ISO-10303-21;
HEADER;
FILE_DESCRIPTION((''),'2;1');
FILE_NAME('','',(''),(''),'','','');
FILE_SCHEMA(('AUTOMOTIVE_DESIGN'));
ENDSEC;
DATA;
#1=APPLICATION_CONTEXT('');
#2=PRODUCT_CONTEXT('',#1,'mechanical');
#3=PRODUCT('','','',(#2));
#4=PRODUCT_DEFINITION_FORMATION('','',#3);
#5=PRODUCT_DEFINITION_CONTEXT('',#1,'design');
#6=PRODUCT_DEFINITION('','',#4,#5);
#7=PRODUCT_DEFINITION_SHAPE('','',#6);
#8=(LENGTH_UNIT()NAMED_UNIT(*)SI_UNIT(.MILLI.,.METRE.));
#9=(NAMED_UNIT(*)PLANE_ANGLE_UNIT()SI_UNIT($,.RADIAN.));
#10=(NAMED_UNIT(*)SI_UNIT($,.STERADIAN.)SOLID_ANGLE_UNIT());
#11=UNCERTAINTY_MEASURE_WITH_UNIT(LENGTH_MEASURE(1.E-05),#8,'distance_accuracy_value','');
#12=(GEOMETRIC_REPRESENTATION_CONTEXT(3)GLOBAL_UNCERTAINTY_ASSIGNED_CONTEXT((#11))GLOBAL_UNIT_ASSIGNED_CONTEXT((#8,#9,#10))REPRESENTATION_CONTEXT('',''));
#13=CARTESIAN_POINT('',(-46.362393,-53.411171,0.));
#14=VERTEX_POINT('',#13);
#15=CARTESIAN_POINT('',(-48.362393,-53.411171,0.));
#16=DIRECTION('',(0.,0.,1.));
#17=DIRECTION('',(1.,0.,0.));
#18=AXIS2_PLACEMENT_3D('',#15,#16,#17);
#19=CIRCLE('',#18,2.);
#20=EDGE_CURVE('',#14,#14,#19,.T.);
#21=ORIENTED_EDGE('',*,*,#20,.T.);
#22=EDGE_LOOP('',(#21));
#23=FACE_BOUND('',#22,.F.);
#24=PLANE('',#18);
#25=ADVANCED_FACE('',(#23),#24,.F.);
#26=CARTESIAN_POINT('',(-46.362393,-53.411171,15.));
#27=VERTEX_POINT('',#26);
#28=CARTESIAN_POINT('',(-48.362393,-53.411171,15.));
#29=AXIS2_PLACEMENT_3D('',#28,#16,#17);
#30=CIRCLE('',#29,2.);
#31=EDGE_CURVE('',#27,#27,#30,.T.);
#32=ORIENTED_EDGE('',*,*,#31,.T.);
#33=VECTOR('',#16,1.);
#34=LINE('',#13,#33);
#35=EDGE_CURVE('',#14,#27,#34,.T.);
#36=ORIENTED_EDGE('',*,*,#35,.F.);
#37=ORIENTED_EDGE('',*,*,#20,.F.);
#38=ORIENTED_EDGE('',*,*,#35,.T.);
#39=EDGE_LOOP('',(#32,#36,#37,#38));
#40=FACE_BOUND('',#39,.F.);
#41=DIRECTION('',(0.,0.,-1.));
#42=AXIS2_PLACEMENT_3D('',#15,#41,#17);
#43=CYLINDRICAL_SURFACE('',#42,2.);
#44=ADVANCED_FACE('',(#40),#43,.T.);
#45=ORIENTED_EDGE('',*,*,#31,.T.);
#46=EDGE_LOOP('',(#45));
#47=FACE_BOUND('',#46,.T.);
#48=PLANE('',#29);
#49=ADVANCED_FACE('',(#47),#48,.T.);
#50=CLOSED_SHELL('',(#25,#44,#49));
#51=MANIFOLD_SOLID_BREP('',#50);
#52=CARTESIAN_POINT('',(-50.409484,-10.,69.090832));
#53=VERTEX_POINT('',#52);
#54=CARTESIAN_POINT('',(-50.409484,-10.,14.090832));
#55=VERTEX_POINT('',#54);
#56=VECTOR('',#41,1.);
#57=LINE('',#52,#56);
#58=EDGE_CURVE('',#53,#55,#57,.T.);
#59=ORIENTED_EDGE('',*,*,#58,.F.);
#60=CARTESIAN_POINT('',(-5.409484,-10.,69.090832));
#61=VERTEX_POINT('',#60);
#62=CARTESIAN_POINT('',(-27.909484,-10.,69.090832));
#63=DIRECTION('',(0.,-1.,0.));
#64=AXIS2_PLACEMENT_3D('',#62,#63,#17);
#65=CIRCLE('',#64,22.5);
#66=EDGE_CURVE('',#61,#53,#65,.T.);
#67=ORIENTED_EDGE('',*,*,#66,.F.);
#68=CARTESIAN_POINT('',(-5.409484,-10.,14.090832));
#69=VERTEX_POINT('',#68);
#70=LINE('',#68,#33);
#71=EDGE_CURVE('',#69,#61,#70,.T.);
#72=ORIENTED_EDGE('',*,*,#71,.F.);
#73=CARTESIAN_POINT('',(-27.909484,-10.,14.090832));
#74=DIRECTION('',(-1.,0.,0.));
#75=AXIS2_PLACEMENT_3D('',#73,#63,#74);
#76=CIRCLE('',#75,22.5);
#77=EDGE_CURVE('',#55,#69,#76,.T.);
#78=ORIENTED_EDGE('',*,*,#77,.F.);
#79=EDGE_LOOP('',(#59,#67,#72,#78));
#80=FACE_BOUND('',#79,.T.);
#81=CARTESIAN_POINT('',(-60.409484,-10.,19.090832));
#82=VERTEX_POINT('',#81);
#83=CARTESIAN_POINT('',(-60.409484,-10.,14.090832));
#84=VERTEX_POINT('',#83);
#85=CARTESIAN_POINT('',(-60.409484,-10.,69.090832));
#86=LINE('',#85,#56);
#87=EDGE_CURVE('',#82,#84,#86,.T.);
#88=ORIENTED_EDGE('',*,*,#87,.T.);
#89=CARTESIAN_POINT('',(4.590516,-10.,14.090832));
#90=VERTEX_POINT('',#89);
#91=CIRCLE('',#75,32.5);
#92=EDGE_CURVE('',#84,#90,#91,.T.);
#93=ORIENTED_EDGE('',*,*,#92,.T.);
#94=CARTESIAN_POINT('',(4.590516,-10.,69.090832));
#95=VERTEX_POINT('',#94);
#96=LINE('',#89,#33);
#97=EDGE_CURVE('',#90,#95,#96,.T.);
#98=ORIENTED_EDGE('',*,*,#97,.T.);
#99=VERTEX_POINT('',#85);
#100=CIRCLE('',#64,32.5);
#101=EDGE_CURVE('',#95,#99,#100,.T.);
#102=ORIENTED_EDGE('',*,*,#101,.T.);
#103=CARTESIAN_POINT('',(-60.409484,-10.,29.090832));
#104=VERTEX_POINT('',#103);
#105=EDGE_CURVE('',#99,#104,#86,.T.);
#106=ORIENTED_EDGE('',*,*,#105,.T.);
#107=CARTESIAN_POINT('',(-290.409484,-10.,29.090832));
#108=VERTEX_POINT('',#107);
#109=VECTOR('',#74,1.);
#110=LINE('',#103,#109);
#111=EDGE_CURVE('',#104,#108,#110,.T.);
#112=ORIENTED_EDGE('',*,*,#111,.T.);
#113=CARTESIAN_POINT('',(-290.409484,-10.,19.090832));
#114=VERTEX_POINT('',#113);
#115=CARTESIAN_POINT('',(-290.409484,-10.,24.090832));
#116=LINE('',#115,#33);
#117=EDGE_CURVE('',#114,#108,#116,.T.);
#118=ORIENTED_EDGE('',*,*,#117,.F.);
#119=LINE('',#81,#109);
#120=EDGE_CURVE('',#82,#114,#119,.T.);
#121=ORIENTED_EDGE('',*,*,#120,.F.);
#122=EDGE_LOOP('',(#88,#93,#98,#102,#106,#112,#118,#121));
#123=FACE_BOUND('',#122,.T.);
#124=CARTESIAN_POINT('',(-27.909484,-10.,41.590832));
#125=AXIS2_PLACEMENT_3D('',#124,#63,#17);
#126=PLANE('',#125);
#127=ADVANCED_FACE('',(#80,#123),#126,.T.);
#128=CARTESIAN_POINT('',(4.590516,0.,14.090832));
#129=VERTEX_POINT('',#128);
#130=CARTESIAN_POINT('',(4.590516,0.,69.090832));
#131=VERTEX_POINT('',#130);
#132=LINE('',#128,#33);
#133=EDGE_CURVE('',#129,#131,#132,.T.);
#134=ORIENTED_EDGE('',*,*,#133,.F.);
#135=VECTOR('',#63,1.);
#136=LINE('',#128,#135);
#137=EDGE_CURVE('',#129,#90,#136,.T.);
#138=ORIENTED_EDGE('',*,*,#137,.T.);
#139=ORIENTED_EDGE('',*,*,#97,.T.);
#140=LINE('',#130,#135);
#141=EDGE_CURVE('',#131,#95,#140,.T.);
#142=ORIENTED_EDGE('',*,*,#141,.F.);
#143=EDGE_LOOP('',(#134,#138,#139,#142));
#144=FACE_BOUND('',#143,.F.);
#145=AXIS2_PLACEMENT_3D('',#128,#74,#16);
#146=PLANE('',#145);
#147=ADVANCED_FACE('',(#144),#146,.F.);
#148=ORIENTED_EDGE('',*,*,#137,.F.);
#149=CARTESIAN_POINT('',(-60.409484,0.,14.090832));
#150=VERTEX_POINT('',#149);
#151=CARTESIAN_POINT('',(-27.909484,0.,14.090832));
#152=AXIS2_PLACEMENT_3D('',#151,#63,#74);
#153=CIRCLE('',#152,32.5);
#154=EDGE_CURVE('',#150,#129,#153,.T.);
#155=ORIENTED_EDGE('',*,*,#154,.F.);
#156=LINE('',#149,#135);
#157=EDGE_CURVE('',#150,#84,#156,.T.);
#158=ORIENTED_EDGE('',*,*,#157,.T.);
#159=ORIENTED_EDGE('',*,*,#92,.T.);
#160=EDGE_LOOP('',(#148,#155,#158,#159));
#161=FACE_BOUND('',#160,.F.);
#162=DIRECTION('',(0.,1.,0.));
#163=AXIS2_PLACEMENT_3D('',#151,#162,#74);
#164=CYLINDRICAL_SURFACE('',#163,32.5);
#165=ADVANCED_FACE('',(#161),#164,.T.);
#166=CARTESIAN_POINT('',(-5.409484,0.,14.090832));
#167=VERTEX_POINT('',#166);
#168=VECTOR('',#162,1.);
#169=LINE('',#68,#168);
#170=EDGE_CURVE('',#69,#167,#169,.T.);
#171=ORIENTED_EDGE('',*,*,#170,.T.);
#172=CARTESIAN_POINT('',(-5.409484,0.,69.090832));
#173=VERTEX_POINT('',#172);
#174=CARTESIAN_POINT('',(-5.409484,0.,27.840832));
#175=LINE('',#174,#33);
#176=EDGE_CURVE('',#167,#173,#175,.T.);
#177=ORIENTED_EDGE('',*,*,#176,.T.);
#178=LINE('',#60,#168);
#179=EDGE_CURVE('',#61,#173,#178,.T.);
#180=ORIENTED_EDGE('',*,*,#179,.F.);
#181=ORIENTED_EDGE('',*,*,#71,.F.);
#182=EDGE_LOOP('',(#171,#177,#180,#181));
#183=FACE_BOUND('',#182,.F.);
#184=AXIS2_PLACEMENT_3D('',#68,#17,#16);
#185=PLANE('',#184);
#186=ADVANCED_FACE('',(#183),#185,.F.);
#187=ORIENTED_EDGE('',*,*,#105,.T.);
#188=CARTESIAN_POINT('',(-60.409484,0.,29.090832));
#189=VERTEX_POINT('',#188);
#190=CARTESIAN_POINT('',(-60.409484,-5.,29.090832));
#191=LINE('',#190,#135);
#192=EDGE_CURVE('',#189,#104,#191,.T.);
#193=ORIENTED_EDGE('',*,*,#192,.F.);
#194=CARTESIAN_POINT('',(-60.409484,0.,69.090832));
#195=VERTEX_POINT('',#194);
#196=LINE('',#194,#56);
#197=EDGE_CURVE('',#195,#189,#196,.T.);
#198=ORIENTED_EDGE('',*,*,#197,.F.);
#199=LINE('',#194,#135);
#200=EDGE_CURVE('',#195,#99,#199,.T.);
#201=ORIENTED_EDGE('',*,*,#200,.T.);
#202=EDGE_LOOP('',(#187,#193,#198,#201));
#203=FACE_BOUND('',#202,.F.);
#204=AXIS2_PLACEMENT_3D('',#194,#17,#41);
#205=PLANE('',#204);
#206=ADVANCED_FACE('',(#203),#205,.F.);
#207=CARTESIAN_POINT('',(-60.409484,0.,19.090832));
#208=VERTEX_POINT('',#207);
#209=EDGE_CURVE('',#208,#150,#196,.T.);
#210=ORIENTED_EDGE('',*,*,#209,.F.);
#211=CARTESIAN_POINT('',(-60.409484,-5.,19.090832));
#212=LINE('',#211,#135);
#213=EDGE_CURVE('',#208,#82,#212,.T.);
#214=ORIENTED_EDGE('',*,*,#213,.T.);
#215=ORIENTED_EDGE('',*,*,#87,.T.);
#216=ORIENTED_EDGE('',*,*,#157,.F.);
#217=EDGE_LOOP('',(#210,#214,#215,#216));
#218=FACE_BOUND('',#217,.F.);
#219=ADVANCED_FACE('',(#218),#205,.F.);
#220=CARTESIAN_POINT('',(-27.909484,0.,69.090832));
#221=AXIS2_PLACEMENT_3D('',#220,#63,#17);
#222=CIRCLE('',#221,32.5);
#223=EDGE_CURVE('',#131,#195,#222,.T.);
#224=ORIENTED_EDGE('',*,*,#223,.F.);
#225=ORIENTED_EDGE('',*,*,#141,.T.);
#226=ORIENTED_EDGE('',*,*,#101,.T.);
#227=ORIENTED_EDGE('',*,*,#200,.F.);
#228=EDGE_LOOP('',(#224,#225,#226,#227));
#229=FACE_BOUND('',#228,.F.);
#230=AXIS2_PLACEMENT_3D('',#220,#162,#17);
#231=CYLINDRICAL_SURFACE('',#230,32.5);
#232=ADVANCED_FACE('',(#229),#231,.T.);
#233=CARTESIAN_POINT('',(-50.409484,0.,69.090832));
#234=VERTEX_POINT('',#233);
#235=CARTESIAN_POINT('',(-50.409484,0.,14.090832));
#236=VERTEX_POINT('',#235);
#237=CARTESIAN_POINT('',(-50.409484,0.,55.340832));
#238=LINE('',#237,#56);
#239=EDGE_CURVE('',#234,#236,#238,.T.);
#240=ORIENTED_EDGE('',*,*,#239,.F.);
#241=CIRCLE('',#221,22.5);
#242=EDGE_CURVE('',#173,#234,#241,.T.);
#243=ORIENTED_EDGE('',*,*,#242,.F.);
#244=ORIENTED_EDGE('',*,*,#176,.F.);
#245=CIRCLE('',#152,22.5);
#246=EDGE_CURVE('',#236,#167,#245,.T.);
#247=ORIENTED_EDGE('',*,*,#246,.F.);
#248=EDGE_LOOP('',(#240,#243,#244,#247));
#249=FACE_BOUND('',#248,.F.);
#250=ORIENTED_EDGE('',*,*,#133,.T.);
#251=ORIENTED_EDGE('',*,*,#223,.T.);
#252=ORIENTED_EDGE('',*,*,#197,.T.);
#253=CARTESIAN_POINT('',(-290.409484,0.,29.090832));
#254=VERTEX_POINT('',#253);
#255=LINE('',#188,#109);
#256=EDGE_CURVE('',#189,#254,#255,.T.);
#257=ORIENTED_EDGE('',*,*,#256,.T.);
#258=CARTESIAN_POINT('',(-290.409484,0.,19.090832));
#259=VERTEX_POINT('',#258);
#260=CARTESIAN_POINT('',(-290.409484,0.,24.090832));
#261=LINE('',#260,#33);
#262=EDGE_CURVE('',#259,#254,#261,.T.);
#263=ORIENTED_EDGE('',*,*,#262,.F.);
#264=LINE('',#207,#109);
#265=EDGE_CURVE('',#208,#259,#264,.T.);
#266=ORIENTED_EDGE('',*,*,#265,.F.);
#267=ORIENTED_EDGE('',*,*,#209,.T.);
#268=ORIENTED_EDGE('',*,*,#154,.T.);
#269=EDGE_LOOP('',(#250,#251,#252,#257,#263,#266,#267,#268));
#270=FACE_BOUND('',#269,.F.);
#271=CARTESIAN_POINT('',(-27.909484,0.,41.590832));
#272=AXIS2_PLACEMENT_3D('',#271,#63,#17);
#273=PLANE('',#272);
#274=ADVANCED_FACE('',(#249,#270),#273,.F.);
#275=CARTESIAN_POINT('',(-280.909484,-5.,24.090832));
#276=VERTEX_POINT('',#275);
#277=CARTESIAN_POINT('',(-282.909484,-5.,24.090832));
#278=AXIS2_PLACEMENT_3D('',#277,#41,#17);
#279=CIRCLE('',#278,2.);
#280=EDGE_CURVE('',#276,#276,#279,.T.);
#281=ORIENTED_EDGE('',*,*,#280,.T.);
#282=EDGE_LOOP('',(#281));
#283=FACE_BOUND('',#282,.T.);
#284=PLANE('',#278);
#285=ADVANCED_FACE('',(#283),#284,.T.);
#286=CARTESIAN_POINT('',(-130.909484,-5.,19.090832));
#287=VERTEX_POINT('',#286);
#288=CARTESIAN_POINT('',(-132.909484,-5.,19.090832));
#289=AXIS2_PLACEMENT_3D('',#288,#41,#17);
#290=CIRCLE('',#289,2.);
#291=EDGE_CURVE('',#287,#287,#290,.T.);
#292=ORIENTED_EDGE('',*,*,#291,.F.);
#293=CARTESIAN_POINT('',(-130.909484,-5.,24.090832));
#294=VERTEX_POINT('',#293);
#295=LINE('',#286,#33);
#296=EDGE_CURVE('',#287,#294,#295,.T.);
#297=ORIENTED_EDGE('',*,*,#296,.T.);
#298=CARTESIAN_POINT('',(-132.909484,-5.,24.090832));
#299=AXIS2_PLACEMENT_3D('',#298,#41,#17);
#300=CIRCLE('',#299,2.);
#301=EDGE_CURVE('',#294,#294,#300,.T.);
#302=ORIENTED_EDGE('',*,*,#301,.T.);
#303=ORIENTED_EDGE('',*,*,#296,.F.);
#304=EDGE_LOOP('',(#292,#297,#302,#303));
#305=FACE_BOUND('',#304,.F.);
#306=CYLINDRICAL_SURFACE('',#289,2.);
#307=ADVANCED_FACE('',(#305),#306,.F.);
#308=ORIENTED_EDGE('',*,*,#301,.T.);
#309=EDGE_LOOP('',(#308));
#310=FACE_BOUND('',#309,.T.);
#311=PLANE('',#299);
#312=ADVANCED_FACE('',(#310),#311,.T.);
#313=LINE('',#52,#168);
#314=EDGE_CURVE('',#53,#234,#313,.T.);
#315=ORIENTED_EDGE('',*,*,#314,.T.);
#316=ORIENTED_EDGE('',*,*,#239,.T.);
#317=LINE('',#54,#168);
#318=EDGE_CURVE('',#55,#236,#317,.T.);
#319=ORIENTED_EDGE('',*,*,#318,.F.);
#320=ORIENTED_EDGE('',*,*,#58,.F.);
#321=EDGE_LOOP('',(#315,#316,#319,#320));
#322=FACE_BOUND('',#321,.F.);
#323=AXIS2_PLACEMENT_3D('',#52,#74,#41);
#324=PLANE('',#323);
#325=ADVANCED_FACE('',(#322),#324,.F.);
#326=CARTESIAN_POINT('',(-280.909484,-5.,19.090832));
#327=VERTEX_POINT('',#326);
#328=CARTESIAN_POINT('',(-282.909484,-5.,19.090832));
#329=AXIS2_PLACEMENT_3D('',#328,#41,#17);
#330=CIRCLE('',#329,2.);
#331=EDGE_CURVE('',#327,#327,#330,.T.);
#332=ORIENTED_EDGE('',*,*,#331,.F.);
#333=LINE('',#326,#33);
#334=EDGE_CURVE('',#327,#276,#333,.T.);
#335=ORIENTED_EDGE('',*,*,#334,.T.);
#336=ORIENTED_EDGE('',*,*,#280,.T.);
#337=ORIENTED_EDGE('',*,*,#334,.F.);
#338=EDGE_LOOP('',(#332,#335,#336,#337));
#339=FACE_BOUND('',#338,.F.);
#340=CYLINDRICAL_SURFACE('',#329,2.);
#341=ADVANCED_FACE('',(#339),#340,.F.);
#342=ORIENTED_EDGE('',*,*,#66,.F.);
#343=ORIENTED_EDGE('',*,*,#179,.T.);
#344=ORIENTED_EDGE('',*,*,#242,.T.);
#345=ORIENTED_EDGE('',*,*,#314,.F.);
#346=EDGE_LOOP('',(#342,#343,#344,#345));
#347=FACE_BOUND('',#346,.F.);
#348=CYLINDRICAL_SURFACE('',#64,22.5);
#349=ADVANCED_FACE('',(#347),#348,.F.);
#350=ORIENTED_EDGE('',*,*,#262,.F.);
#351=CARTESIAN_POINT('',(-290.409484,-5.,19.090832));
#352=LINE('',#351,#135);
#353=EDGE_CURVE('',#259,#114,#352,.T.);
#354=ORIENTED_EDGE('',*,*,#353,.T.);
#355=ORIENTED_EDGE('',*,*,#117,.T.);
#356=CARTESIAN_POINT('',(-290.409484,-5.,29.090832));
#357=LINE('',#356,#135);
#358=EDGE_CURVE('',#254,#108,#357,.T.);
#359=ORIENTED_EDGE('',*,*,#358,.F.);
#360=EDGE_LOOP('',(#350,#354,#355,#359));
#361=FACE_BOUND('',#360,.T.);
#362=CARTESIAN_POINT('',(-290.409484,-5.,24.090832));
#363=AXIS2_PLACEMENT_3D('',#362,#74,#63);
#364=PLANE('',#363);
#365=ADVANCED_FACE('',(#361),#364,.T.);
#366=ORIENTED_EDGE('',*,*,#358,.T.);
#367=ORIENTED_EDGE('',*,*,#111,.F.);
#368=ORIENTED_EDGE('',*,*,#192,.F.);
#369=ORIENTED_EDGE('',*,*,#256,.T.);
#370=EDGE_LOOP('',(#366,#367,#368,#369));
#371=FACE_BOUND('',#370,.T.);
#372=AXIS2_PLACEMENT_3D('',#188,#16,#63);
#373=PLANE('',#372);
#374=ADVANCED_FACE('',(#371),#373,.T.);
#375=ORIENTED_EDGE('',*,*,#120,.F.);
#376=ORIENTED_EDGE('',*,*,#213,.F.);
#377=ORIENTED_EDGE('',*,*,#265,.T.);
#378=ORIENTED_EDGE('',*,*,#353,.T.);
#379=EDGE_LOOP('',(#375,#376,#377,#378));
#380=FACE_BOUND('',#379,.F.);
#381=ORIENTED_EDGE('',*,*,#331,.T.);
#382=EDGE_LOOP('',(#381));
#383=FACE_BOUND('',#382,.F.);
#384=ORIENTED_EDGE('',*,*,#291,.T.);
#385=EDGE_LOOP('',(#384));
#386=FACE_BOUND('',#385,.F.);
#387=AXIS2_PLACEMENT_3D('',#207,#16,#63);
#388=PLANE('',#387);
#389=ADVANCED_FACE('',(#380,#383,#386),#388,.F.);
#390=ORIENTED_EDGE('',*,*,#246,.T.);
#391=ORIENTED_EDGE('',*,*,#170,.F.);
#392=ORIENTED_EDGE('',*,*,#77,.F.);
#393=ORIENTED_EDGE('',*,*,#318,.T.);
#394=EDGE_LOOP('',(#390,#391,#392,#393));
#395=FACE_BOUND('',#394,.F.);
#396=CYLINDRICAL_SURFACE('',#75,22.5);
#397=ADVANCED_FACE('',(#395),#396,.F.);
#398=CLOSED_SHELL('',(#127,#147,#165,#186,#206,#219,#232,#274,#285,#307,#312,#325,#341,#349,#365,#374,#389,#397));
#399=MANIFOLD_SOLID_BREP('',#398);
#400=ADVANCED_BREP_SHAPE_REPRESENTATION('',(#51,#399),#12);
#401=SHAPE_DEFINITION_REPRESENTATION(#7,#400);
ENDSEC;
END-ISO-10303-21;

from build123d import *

# Parameters (mm, degrees)
F1_DEPTH = 10
F3_DEPTH = 10.001
F4_W     = 10
F4_H     = 10
F5_DEPTH = 230
F6_R     = 2
F7_DEPTH = 5
F8_R     = 2
F9_DEPTH = 15


with BuildPart() as f1:
    # F0 (on Front) → F1 (new body)
    with BuildSketch(Plane.XZ):
        with BuildLine():
            ThreePointArc((4.590516, 14.090832), (0.543693, 29.79646), (-10.588976, 41.590832))
            ThreePointArc((-10.588976, 41.590832), (0.543693, 53.385204), (4.590516, 69.090832))
            ThreePointArc((4.590516, 69.090832), (-27.909484, 101.590832), (-60.409484, 69.090832))
            ThreePointArc((-60.409484, 69.090832), (-56.36266, 53.385204), (-45.229992, 41.590832))
            ThreePointArc((-45.229992, 41.590832), (-56.36266, 29.79646), (-60.409484, 14.090832))
            ThreePointArc((-60.409484, 14.090832), (-27.909484, -18.409168), (4.590516, 14.090832))
        make_face()
        with BuildLine():
            ThreePointArc((4.590516, 69.090832), (0.543693, 53.385204), (-10.588976, 41.590832))
            ThreePointArc((-10.588976, 41.590832), (0.543693, 29.79646), (4.590516, 14.090832))
            Line((4.590516, 14.090832), (4.590516, 69.090832))
        make_face()
        with BuildLine():
            ThreePointArc((-45.229992, 41.590832), (-56.36266, 53.385204), (-60.409484, 69.090832))
            Line((-60.409484, 69.090832), (-60.409484, 14.090832))
            ThreePointArc((-60.409484, 14.090832), (-56.36266, 29.79646), (-45.229992, 41.590832))
        make_face()
    extrude(amount=F1_DEPTH)

    # F2 (on face) → F3 (cut, through all)
    with BuildSketch(Plane.XZ.offset(10)):
        with BuildLine():
            ThreePointArc((-5.409484, 69.090832), (-27.909484, 91.590832), (-50.409484, 69.090832))
            Line((-50.409484, 69.090832), (-50.409484, 14.090832))
            ThreePointArc((-50.409484, 14.090832), (-27.909484, -8.409168), (-5.409484, 14.090832))
            Line((-5.409484, 14.090832), (-5.409484, 69.090832))
        make_face()
    extrude(amount=-F3_DEPTH, mode=Mode.SUBTRACT)

    # F4 (on face) → F5 (join)
    with BuildSketch(Plane(origin=(-60.409484, 0, 0), x_dir=(0, -1, 0), z_dir=(-1, 0, 0))):
        with Locations((5, 24.090832)):
            Rectangle(F4_W, F4_H)
    extrude(amount=F5_DEPTH)

    # F6 (on face) → F7 (cut)
    with BuildSketch(Plane(origin=(0, 0, 19.090832), x_dir=(1, 0, 0), z_dir=(0, 0, -1))):
        with Locations((-132.909484, 5)):
            Circle(F6_R)
        with Locations((-282.909484, 5)):
            Circle(F6_R)
    extrude(amount=-F7_DEPTH, mode=Mode.SUBTRACT)


with BuildPart() as f9:
    # F8 (on Top) → F9 (new body)
    with BuildSketch(Plane.XY):
        with Locations((-48.362393, -53.411171)):
            Circle(F8_R)
    extrude(amount=F9_DEPTH)


solid = Compound([f1.part, f9.part])
